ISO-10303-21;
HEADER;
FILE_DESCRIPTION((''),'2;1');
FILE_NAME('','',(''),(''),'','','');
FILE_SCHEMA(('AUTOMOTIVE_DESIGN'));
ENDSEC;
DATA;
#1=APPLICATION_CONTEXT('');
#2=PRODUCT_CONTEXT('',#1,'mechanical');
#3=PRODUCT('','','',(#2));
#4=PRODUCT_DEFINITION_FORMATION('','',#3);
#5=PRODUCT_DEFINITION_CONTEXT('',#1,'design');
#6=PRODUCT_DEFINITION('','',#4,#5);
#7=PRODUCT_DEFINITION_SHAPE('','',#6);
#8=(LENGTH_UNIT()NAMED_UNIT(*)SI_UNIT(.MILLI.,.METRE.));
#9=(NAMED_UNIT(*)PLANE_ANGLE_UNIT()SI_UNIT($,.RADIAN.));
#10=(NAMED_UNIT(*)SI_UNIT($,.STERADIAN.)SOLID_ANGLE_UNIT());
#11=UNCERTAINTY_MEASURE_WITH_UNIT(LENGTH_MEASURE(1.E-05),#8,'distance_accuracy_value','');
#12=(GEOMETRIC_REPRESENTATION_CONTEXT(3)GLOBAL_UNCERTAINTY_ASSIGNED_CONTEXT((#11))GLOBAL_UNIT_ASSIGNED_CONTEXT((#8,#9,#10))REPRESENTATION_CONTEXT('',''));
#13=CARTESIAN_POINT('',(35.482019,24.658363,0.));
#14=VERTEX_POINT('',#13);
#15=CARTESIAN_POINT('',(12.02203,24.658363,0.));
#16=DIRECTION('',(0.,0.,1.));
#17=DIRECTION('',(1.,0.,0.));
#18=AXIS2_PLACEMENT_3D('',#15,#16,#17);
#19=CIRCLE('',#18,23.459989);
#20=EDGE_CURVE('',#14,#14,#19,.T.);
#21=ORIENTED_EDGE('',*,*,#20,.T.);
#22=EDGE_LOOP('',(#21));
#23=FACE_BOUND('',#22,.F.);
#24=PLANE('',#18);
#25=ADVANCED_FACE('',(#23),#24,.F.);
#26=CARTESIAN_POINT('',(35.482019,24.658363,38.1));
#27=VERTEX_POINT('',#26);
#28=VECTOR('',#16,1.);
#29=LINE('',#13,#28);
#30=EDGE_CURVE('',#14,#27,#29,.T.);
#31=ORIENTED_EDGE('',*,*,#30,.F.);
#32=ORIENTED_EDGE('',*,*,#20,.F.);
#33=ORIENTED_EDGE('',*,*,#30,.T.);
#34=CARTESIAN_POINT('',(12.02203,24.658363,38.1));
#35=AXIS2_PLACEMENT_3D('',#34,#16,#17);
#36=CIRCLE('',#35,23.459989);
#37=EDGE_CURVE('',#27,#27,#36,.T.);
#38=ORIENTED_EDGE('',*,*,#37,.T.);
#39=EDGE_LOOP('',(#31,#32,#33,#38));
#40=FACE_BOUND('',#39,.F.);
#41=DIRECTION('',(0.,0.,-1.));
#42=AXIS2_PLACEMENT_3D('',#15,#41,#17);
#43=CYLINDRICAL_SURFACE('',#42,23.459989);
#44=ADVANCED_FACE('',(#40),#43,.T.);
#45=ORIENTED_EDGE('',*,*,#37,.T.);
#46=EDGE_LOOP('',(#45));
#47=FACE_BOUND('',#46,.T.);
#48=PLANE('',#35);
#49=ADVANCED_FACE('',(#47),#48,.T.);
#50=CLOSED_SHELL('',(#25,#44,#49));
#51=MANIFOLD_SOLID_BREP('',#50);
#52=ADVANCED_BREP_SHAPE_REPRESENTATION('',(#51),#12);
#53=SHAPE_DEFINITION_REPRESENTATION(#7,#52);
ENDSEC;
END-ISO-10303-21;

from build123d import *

# Parameters (mm, degrees)
F0_R     = 23.459989
F1_DEPTH = 80.613591
F2_T     = -38.1


with BuildPart() as f1:
    # F0 (on Top) → F1 (new body)
    with BuildSketch(Plane.XY):
        with Locations((12.02203, 24.658363)):
            Circle(F0_R)
    extrude(amount=F1_DEPTH)

    # F2
    f2_openings = [f1.faces().sort_by_distance(p)[0] for p in [
        (-11.437959, 24.658363, 40.306795),
        (12.02203, 24.658363, 80.613591),
    ]]
    offset(amount=F2_T, openings=f2_openings)


solid = f1.part
